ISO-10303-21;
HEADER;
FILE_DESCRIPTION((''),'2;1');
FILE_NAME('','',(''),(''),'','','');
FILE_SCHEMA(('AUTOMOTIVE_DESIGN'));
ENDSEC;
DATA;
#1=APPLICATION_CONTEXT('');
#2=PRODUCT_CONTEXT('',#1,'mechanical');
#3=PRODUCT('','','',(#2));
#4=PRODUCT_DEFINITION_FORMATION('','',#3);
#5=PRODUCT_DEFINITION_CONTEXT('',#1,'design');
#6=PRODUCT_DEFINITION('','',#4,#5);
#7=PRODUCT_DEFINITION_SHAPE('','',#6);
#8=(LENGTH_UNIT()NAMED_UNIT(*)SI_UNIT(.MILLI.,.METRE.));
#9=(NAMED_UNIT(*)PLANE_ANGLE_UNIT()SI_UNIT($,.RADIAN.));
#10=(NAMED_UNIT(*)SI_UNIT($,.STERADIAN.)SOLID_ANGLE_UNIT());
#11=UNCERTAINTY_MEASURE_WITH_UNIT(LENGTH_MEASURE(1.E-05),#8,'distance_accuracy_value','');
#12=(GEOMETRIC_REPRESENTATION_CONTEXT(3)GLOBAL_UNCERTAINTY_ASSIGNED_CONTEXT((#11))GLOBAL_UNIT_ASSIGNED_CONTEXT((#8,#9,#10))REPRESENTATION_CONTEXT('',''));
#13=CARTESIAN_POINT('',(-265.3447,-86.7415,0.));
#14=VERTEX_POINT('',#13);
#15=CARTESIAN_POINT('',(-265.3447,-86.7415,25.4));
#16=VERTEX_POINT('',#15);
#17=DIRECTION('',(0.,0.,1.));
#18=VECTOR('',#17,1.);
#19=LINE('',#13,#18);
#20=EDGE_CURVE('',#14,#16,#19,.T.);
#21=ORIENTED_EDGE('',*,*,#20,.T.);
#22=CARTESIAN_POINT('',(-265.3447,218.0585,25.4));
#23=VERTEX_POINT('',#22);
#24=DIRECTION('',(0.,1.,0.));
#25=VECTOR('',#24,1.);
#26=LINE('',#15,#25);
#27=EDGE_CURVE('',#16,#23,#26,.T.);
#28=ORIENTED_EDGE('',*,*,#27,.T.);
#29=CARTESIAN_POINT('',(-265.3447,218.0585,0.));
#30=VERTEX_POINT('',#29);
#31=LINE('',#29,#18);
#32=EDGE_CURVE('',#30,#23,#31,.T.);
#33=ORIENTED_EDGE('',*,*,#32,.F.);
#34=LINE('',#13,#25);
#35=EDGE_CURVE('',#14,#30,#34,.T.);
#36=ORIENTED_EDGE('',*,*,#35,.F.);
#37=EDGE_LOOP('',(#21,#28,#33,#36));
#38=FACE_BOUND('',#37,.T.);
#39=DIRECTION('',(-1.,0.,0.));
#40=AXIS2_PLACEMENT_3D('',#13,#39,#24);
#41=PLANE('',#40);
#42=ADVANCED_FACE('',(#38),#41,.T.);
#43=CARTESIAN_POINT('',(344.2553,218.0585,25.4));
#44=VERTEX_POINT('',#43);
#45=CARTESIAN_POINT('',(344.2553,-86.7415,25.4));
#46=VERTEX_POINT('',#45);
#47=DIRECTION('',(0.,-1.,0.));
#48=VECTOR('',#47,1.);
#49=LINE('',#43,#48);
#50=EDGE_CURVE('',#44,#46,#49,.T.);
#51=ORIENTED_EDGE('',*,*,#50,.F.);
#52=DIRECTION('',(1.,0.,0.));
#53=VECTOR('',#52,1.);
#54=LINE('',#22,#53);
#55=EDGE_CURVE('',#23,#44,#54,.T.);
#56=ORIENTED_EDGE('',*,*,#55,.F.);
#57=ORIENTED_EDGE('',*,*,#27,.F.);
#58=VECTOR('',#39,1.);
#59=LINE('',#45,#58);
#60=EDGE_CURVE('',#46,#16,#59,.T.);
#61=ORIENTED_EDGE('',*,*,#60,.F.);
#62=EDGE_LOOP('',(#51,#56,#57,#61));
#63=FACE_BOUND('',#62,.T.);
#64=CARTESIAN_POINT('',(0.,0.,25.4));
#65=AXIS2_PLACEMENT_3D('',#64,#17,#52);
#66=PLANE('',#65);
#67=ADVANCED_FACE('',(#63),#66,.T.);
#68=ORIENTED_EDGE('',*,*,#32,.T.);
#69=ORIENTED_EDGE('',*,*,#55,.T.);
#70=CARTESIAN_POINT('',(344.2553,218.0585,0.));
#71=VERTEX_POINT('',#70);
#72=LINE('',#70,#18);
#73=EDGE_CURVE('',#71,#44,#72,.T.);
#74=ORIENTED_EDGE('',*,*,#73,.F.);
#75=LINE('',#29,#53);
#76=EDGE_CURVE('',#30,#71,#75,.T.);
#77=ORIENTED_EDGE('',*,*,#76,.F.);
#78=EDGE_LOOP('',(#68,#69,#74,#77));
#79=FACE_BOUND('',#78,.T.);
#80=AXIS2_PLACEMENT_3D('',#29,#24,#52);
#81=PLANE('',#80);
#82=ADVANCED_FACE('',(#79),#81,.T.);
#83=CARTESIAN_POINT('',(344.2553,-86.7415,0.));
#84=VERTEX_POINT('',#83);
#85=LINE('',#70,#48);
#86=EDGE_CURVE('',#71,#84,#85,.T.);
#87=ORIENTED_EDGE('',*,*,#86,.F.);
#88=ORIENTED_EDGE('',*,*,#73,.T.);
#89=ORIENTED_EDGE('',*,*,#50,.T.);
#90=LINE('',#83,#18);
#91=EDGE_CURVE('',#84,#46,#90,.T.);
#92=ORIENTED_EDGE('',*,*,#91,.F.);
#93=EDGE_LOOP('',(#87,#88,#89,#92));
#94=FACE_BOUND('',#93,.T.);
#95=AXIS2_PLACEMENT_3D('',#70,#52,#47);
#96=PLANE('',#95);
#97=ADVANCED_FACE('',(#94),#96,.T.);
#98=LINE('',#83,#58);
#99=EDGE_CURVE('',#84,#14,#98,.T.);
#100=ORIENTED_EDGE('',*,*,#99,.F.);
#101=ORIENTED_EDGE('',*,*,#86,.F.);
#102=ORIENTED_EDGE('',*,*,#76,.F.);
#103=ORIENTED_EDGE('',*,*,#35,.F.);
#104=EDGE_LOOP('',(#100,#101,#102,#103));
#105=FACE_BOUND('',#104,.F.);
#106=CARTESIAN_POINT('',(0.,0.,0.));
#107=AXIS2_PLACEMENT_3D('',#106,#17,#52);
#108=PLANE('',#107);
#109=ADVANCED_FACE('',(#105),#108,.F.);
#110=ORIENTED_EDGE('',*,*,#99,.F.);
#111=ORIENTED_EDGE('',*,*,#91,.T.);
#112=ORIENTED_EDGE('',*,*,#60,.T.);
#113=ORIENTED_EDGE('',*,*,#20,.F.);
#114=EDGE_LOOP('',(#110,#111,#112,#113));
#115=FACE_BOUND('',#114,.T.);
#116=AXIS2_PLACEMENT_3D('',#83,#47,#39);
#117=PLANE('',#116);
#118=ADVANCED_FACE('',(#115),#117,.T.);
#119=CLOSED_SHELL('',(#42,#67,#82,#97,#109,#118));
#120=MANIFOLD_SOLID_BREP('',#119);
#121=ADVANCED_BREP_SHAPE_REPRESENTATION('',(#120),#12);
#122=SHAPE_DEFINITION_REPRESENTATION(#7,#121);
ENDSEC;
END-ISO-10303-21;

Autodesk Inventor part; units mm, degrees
ref_plane "YZ Plane" through (0, 0, 0) normal (1, 0, 0) x (0, 1, 0)
ref_plane "XZ Plane" through (0, 0, 0) normal (0, 1, 0) x (-1, 0, 0)
ref_plane "XY Plane" through (0, 0, 0) normal (0, 0, 1) x (1, 0, 0)
sketch "Sketch1" plane through (0, 0, 0) normal (0, 0, 1) x (1, 0, 0)
  line L0 (-265.3447, 218.0585) -> (344.2553, 218.0585)
  line L1 (344.2553, 218.0585) -> (344.2553, -86.7415)
  line L2 (344.2553, -86.7415) -> (-265.3447, -86.7415)
  line L3 (-265.3447, -86.7415) -> (-265.3447, 218.0585)
  point P0 (0, 0)
  dimension "d0" = 609.6
  dimension "d1" = 304.8
extrude "Extrusion1" add sketch "Sketch1" along normal blind 25.4
properties part number "Poly sizing tool"
